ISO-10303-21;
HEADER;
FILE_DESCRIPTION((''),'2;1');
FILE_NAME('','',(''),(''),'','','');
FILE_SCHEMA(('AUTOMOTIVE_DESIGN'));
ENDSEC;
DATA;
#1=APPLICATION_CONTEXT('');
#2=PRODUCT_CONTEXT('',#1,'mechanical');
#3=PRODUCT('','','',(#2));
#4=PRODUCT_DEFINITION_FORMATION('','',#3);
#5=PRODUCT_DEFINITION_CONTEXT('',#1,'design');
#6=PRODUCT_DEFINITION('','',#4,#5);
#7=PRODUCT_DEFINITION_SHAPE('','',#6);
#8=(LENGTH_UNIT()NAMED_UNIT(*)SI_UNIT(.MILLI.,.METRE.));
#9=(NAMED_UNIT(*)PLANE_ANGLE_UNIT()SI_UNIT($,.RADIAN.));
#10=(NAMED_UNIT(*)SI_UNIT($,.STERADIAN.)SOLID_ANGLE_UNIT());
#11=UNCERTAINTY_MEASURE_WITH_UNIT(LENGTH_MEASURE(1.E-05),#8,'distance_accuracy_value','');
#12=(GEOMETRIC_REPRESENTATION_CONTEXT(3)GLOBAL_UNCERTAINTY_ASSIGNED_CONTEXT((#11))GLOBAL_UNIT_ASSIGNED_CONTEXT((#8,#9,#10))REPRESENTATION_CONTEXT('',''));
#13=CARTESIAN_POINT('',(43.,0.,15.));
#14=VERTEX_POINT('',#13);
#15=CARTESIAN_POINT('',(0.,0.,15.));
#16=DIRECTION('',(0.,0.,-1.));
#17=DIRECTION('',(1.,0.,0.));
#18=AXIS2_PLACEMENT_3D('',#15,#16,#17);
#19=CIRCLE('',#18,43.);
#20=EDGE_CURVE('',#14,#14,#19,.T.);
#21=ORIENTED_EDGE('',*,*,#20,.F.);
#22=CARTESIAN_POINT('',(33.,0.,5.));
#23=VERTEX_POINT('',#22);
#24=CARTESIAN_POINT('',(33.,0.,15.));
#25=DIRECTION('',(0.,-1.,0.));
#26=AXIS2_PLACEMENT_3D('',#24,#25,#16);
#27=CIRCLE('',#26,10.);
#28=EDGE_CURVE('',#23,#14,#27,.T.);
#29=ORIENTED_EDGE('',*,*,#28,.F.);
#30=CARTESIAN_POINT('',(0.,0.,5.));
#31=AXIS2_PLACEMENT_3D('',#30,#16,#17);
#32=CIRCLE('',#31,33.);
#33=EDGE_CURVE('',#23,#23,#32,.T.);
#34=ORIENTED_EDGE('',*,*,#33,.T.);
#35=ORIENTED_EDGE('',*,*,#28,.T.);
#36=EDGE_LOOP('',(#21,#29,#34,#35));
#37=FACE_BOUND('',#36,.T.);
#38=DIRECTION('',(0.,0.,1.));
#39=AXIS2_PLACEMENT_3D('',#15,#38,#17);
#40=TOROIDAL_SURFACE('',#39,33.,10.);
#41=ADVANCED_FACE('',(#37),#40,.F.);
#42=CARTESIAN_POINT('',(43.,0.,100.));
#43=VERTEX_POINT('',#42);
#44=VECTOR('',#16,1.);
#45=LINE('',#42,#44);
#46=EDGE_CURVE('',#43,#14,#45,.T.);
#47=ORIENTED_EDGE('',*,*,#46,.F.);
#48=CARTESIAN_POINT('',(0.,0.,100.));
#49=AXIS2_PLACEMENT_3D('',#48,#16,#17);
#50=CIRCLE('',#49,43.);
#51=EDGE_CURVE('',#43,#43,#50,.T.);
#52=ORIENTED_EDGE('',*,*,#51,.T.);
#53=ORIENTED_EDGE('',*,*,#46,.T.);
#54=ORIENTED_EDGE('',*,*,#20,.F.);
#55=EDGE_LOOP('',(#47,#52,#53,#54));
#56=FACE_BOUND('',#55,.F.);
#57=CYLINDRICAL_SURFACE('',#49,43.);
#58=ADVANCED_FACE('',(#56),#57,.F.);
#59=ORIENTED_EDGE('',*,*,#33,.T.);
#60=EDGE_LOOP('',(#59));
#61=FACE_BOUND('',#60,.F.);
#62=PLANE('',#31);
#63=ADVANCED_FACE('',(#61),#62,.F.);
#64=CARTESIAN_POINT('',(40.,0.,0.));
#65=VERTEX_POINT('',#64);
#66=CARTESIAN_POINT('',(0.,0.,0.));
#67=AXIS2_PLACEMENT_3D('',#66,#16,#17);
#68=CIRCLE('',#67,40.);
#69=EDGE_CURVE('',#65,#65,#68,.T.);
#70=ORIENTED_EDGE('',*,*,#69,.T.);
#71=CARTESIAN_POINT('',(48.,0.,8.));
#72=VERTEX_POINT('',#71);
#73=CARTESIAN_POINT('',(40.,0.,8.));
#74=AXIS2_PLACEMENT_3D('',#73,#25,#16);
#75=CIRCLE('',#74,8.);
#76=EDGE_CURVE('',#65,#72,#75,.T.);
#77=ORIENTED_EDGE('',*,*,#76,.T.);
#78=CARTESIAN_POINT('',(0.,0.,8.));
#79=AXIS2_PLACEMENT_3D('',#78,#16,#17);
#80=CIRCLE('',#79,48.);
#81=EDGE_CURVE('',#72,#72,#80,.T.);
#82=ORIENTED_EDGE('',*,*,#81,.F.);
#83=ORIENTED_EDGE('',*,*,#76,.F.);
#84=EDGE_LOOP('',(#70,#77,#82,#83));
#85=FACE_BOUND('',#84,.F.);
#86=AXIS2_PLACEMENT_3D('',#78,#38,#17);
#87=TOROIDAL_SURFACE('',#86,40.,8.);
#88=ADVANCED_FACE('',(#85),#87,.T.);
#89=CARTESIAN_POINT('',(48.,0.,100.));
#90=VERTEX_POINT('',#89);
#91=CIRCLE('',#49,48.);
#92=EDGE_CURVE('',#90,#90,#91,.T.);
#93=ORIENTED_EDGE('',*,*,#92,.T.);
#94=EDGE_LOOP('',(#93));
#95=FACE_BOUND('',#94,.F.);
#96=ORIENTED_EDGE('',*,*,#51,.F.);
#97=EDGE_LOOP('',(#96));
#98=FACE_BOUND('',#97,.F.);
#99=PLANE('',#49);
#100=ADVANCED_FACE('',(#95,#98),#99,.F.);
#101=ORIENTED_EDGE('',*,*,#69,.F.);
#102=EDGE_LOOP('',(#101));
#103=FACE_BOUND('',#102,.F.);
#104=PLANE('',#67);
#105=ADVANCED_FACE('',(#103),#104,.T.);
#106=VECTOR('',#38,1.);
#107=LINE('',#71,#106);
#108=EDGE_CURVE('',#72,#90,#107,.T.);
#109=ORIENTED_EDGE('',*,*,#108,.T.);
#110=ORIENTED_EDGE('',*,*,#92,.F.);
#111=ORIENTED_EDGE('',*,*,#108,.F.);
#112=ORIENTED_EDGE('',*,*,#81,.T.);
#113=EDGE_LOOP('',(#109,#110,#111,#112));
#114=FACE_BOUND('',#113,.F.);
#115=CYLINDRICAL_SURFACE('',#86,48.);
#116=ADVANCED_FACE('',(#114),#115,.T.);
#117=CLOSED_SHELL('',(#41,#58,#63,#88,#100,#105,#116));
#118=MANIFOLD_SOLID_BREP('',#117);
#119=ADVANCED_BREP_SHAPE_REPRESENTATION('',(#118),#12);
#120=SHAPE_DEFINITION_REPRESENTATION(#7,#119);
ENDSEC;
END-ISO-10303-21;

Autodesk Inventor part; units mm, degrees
ref_plane "YZ Plane" through (0, 0, 0) normal (1, 0, 0) x (0, 1, 0)
ref_plane "XZ Plane" through (0, 0, 0) normal (0, 1, 0) x (-1, 0, 0)
ref_plane "XY Plane" through (0, 0, 0) normal (0, 0, 1) x (1, 0, 0)
sketch "Boceto2" plane through (0, 0, 0) normal (0, 0, 1) x (1, 0, 0)
  line L0 (0, 0) -> (40, 0)
  line L1 (48, 8) -> (48, 100)
  line L2 (48, 100) -> (43, 100)
  line L3 (43, 100) -> (43, 15)
  line L4 (33, 5) -> (0, 5)
  line L5 (0, 5) -> (0, 0)
  arc A0 (33, 5) -> (43, 15) centre (33, 15) ccw
  arc A1 (40, 0) -> (48, 8) centre (40, 8) ccw
  point P0 (48, 0)
  point P1 (43, 5)
  dimension "d4" = 5
  dimension "d5" = 100
  dimension "d6" = 5
  dimension "d7" = 48
  dimension "d9" = 10
  dimension "d10" = 8
revolve "Revolución1" add sketch "Boceto2" angle 360 about axis through (0, 5, 0) along (0, -1, 0)
move or copy body "Desplazar cuerpo1" bodies to move or copy 1 copy no rotation origin (0, 0, 0) rotation axis (1, 0, 0) rotation angle 90
properties part number "vaso" material "Vidrio"
